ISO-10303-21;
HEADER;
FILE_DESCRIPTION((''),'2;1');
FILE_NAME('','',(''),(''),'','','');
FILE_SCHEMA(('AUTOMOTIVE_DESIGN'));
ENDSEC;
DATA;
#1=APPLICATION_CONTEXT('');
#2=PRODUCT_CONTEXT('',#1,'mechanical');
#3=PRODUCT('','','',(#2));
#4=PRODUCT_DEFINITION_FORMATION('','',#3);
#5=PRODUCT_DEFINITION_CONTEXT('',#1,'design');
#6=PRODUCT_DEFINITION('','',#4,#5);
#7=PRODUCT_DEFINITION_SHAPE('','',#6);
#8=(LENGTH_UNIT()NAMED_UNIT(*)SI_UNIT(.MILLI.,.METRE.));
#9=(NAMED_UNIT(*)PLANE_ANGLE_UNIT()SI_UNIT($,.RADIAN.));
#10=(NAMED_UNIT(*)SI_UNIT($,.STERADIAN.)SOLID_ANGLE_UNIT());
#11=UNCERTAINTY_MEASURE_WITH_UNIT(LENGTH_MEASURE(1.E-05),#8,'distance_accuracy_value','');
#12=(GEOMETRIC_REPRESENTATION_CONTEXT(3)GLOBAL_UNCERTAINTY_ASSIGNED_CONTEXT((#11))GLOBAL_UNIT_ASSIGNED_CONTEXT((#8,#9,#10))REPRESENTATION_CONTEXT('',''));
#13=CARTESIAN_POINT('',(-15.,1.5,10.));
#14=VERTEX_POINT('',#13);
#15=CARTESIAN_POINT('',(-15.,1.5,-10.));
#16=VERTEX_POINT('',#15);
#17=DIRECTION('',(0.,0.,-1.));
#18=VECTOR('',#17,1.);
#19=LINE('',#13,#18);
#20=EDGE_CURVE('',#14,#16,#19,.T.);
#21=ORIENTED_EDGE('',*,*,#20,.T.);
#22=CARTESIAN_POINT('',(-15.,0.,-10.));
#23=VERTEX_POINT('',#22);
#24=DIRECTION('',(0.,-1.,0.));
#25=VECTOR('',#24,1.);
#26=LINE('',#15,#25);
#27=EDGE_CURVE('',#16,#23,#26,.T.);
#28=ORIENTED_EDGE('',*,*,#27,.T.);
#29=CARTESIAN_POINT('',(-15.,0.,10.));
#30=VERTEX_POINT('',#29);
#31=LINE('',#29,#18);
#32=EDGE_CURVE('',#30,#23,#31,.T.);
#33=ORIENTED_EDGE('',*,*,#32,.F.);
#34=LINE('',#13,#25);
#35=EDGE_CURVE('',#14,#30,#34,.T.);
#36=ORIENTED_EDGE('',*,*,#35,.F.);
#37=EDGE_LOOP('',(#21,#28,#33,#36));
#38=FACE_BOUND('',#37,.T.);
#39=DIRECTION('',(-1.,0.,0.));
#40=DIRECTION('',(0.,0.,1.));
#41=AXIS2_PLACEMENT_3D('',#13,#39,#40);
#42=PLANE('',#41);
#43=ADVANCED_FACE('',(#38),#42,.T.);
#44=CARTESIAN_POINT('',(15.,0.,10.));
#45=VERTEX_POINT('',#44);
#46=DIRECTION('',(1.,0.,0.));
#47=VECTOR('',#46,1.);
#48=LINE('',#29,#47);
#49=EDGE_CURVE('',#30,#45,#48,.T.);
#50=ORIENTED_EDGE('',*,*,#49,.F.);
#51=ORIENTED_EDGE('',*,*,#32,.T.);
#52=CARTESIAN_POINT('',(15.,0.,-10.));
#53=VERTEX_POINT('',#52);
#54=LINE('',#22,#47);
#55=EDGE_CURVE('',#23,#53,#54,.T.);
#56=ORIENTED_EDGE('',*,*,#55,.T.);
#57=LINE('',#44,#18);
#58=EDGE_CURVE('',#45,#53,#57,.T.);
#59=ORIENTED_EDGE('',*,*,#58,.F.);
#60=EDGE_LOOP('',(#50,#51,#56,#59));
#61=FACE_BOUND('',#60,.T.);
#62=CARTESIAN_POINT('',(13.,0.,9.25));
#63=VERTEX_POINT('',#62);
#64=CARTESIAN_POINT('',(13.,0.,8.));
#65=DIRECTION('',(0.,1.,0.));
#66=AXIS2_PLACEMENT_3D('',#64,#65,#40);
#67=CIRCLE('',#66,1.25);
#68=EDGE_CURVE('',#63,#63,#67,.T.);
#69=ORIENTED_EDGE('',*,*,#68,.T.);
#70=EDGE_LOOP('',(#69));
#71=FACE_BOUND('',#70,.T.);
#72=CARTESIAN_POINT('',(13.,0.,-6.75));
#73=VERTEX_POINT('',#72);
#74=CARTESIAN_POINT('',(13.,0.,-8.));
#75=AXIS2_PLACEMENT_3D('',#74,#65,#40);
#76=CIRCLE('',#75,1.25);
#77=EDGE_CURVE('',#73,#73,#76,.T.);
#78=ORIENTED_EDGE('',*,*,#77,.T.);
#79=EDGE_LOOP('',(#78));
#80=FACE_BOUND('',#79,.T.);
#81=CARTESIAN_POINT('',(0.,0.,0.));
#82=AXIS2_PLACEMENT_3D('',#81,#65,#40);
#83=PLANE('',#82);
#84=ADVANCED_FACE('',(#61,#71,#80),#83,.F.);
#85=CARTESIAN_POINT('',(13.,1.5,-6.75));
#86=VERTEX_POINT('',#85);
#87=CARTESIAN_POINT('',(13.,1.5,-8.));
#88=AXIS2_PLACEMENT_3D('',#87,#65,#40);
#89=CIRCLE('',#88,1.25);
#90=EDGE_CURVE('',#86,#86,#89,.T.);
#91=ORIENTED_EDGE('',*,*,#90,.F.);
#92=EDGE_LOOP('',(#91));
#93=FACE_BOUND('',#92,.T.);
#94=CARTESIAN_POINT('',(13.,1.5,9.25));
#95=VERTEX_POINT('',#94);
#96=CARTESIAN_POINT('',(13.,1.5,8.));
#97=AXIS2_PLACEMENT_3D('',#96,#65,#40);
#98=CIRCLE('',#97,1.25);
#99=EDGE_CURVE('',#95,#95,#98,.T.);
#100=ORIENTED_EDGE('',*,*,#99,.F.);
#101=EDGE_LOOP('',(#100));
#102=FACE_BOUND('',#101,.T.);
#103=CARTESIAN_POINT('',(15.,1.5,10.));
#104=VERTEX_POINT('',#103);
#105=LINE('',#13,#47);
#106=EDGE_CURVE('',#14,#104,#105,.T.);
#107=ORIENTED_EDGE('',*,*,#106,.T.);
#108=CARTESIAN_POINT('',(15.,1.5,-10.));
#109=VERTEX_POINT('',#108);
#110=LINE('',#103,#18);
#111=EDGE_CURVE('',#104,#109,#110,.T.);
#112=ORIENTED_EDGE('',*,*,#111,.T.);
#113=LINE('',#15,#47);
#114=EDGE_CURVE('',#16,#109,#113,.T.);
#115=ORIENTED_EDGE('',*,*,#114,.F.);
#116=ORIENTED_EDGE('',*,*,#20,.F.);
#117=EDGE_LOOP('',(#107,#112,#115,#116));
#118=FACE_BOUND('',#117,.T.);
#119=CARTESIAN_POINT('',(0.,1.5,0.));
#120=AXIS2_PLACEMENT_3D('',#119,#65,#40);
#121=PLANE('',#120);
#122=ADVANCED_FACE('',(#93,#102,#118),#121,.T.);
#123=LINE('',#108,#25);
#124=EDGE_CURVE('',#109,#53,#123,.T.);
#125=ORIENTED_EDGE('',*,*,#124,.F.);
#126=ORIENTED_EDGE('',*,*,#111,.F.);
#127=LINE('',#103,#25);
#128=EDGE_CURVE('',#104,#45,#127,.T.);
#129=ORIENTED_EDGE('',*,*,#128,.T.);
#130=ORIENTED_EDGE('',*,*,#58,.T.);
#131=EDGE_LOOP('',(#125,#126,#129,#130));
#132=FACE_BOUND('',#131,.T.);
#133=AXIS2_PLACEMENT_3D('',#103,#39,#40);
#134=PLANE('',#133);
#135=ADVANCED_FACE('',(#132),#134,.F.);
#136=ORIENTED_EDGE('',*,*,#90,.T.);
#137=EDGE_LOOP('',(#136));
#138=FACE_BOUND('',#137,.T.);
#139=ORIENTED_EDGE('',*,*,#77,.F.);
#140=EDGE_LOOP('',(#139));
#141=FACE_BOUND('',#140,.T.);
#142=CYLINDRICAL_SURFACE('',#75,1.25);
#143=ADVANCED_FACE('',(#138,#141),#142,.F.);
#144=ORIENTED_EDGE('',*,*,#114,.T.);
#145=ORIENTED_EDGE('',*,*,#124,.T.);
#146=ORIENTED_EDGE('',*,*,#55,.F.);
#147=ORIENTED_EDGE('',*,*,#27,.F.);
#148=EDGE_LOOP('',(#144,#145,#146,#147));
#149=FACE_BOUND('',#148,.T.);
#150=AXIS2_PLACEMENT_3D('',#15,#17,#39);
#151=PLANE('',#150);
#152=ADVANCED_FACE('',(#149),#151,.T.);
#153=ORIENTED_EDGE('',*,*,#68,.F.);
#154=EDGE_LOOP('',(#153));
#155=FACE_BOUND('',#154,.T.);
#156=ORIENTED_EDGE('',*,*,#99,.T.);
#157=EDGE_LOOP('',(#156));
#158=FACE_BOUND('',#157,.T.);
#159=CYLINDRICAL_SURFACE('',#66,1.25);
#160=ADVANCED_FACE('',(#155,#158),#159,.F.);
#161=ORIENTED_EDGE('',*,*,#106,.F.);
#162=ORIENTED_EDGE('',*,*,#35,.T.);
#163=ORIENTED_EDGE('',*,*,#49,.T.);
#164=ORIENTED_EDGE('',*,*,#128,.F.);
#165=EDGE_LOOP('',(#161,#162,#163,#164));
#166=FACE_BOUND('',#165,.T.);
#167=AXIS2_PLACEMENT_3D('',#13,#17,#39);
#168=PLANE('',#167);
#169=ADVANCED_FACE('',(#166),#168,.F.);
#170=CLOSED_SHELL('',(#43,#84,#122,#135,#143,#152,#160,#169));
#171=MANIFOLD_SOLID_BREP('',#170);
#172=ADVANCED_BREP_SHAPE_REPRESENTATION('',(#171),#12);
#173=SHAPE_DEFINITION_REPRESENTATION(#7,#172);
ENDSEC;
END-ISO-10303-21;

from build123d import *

# Parameters (mm, degrees)
SKETCH1_W           = 30
SKETCH1_H           = 20
BOSS_EXTRUDE1_DEPTH = 1.5
SKETCH2_R           = 1.25
CUT_EXTRUDE1_DEPTH  = 19.090052515


with BuildPart() as part:
    # Sketch1 → Boss-Extrude1 (new body)
    with BuildSketch(Plane(origin=(0, 0, 0), x_dir=(1, 0, 0), z_dir=(0, 1, 0))):
        Rectangle(SKETCH1_W, SKETCH1_H)
    extrude(amount=BOSS_EXTRUDE1_DEPTH)

    # Sketch2 → Cut-Extrude1 (cut, through all)
    with BuildSketch(Plane(origin=(0, 1.5, 0), x_dir=(1, 0, 0), z_dir=(0, 1, 0))):
        with Locations(Location((13, 8, 0), (0, 0, 270))):
            Circle(SKETCH2_R)
        with Locations(Location((13, -8, 0), (0, 0, 270))):
            Circle(SKETCH2_R)
    extrude(amount=-CUT_EXTRUDE1_DEPTH, mode=Mode.SUBTRACT)


solid = part.part
